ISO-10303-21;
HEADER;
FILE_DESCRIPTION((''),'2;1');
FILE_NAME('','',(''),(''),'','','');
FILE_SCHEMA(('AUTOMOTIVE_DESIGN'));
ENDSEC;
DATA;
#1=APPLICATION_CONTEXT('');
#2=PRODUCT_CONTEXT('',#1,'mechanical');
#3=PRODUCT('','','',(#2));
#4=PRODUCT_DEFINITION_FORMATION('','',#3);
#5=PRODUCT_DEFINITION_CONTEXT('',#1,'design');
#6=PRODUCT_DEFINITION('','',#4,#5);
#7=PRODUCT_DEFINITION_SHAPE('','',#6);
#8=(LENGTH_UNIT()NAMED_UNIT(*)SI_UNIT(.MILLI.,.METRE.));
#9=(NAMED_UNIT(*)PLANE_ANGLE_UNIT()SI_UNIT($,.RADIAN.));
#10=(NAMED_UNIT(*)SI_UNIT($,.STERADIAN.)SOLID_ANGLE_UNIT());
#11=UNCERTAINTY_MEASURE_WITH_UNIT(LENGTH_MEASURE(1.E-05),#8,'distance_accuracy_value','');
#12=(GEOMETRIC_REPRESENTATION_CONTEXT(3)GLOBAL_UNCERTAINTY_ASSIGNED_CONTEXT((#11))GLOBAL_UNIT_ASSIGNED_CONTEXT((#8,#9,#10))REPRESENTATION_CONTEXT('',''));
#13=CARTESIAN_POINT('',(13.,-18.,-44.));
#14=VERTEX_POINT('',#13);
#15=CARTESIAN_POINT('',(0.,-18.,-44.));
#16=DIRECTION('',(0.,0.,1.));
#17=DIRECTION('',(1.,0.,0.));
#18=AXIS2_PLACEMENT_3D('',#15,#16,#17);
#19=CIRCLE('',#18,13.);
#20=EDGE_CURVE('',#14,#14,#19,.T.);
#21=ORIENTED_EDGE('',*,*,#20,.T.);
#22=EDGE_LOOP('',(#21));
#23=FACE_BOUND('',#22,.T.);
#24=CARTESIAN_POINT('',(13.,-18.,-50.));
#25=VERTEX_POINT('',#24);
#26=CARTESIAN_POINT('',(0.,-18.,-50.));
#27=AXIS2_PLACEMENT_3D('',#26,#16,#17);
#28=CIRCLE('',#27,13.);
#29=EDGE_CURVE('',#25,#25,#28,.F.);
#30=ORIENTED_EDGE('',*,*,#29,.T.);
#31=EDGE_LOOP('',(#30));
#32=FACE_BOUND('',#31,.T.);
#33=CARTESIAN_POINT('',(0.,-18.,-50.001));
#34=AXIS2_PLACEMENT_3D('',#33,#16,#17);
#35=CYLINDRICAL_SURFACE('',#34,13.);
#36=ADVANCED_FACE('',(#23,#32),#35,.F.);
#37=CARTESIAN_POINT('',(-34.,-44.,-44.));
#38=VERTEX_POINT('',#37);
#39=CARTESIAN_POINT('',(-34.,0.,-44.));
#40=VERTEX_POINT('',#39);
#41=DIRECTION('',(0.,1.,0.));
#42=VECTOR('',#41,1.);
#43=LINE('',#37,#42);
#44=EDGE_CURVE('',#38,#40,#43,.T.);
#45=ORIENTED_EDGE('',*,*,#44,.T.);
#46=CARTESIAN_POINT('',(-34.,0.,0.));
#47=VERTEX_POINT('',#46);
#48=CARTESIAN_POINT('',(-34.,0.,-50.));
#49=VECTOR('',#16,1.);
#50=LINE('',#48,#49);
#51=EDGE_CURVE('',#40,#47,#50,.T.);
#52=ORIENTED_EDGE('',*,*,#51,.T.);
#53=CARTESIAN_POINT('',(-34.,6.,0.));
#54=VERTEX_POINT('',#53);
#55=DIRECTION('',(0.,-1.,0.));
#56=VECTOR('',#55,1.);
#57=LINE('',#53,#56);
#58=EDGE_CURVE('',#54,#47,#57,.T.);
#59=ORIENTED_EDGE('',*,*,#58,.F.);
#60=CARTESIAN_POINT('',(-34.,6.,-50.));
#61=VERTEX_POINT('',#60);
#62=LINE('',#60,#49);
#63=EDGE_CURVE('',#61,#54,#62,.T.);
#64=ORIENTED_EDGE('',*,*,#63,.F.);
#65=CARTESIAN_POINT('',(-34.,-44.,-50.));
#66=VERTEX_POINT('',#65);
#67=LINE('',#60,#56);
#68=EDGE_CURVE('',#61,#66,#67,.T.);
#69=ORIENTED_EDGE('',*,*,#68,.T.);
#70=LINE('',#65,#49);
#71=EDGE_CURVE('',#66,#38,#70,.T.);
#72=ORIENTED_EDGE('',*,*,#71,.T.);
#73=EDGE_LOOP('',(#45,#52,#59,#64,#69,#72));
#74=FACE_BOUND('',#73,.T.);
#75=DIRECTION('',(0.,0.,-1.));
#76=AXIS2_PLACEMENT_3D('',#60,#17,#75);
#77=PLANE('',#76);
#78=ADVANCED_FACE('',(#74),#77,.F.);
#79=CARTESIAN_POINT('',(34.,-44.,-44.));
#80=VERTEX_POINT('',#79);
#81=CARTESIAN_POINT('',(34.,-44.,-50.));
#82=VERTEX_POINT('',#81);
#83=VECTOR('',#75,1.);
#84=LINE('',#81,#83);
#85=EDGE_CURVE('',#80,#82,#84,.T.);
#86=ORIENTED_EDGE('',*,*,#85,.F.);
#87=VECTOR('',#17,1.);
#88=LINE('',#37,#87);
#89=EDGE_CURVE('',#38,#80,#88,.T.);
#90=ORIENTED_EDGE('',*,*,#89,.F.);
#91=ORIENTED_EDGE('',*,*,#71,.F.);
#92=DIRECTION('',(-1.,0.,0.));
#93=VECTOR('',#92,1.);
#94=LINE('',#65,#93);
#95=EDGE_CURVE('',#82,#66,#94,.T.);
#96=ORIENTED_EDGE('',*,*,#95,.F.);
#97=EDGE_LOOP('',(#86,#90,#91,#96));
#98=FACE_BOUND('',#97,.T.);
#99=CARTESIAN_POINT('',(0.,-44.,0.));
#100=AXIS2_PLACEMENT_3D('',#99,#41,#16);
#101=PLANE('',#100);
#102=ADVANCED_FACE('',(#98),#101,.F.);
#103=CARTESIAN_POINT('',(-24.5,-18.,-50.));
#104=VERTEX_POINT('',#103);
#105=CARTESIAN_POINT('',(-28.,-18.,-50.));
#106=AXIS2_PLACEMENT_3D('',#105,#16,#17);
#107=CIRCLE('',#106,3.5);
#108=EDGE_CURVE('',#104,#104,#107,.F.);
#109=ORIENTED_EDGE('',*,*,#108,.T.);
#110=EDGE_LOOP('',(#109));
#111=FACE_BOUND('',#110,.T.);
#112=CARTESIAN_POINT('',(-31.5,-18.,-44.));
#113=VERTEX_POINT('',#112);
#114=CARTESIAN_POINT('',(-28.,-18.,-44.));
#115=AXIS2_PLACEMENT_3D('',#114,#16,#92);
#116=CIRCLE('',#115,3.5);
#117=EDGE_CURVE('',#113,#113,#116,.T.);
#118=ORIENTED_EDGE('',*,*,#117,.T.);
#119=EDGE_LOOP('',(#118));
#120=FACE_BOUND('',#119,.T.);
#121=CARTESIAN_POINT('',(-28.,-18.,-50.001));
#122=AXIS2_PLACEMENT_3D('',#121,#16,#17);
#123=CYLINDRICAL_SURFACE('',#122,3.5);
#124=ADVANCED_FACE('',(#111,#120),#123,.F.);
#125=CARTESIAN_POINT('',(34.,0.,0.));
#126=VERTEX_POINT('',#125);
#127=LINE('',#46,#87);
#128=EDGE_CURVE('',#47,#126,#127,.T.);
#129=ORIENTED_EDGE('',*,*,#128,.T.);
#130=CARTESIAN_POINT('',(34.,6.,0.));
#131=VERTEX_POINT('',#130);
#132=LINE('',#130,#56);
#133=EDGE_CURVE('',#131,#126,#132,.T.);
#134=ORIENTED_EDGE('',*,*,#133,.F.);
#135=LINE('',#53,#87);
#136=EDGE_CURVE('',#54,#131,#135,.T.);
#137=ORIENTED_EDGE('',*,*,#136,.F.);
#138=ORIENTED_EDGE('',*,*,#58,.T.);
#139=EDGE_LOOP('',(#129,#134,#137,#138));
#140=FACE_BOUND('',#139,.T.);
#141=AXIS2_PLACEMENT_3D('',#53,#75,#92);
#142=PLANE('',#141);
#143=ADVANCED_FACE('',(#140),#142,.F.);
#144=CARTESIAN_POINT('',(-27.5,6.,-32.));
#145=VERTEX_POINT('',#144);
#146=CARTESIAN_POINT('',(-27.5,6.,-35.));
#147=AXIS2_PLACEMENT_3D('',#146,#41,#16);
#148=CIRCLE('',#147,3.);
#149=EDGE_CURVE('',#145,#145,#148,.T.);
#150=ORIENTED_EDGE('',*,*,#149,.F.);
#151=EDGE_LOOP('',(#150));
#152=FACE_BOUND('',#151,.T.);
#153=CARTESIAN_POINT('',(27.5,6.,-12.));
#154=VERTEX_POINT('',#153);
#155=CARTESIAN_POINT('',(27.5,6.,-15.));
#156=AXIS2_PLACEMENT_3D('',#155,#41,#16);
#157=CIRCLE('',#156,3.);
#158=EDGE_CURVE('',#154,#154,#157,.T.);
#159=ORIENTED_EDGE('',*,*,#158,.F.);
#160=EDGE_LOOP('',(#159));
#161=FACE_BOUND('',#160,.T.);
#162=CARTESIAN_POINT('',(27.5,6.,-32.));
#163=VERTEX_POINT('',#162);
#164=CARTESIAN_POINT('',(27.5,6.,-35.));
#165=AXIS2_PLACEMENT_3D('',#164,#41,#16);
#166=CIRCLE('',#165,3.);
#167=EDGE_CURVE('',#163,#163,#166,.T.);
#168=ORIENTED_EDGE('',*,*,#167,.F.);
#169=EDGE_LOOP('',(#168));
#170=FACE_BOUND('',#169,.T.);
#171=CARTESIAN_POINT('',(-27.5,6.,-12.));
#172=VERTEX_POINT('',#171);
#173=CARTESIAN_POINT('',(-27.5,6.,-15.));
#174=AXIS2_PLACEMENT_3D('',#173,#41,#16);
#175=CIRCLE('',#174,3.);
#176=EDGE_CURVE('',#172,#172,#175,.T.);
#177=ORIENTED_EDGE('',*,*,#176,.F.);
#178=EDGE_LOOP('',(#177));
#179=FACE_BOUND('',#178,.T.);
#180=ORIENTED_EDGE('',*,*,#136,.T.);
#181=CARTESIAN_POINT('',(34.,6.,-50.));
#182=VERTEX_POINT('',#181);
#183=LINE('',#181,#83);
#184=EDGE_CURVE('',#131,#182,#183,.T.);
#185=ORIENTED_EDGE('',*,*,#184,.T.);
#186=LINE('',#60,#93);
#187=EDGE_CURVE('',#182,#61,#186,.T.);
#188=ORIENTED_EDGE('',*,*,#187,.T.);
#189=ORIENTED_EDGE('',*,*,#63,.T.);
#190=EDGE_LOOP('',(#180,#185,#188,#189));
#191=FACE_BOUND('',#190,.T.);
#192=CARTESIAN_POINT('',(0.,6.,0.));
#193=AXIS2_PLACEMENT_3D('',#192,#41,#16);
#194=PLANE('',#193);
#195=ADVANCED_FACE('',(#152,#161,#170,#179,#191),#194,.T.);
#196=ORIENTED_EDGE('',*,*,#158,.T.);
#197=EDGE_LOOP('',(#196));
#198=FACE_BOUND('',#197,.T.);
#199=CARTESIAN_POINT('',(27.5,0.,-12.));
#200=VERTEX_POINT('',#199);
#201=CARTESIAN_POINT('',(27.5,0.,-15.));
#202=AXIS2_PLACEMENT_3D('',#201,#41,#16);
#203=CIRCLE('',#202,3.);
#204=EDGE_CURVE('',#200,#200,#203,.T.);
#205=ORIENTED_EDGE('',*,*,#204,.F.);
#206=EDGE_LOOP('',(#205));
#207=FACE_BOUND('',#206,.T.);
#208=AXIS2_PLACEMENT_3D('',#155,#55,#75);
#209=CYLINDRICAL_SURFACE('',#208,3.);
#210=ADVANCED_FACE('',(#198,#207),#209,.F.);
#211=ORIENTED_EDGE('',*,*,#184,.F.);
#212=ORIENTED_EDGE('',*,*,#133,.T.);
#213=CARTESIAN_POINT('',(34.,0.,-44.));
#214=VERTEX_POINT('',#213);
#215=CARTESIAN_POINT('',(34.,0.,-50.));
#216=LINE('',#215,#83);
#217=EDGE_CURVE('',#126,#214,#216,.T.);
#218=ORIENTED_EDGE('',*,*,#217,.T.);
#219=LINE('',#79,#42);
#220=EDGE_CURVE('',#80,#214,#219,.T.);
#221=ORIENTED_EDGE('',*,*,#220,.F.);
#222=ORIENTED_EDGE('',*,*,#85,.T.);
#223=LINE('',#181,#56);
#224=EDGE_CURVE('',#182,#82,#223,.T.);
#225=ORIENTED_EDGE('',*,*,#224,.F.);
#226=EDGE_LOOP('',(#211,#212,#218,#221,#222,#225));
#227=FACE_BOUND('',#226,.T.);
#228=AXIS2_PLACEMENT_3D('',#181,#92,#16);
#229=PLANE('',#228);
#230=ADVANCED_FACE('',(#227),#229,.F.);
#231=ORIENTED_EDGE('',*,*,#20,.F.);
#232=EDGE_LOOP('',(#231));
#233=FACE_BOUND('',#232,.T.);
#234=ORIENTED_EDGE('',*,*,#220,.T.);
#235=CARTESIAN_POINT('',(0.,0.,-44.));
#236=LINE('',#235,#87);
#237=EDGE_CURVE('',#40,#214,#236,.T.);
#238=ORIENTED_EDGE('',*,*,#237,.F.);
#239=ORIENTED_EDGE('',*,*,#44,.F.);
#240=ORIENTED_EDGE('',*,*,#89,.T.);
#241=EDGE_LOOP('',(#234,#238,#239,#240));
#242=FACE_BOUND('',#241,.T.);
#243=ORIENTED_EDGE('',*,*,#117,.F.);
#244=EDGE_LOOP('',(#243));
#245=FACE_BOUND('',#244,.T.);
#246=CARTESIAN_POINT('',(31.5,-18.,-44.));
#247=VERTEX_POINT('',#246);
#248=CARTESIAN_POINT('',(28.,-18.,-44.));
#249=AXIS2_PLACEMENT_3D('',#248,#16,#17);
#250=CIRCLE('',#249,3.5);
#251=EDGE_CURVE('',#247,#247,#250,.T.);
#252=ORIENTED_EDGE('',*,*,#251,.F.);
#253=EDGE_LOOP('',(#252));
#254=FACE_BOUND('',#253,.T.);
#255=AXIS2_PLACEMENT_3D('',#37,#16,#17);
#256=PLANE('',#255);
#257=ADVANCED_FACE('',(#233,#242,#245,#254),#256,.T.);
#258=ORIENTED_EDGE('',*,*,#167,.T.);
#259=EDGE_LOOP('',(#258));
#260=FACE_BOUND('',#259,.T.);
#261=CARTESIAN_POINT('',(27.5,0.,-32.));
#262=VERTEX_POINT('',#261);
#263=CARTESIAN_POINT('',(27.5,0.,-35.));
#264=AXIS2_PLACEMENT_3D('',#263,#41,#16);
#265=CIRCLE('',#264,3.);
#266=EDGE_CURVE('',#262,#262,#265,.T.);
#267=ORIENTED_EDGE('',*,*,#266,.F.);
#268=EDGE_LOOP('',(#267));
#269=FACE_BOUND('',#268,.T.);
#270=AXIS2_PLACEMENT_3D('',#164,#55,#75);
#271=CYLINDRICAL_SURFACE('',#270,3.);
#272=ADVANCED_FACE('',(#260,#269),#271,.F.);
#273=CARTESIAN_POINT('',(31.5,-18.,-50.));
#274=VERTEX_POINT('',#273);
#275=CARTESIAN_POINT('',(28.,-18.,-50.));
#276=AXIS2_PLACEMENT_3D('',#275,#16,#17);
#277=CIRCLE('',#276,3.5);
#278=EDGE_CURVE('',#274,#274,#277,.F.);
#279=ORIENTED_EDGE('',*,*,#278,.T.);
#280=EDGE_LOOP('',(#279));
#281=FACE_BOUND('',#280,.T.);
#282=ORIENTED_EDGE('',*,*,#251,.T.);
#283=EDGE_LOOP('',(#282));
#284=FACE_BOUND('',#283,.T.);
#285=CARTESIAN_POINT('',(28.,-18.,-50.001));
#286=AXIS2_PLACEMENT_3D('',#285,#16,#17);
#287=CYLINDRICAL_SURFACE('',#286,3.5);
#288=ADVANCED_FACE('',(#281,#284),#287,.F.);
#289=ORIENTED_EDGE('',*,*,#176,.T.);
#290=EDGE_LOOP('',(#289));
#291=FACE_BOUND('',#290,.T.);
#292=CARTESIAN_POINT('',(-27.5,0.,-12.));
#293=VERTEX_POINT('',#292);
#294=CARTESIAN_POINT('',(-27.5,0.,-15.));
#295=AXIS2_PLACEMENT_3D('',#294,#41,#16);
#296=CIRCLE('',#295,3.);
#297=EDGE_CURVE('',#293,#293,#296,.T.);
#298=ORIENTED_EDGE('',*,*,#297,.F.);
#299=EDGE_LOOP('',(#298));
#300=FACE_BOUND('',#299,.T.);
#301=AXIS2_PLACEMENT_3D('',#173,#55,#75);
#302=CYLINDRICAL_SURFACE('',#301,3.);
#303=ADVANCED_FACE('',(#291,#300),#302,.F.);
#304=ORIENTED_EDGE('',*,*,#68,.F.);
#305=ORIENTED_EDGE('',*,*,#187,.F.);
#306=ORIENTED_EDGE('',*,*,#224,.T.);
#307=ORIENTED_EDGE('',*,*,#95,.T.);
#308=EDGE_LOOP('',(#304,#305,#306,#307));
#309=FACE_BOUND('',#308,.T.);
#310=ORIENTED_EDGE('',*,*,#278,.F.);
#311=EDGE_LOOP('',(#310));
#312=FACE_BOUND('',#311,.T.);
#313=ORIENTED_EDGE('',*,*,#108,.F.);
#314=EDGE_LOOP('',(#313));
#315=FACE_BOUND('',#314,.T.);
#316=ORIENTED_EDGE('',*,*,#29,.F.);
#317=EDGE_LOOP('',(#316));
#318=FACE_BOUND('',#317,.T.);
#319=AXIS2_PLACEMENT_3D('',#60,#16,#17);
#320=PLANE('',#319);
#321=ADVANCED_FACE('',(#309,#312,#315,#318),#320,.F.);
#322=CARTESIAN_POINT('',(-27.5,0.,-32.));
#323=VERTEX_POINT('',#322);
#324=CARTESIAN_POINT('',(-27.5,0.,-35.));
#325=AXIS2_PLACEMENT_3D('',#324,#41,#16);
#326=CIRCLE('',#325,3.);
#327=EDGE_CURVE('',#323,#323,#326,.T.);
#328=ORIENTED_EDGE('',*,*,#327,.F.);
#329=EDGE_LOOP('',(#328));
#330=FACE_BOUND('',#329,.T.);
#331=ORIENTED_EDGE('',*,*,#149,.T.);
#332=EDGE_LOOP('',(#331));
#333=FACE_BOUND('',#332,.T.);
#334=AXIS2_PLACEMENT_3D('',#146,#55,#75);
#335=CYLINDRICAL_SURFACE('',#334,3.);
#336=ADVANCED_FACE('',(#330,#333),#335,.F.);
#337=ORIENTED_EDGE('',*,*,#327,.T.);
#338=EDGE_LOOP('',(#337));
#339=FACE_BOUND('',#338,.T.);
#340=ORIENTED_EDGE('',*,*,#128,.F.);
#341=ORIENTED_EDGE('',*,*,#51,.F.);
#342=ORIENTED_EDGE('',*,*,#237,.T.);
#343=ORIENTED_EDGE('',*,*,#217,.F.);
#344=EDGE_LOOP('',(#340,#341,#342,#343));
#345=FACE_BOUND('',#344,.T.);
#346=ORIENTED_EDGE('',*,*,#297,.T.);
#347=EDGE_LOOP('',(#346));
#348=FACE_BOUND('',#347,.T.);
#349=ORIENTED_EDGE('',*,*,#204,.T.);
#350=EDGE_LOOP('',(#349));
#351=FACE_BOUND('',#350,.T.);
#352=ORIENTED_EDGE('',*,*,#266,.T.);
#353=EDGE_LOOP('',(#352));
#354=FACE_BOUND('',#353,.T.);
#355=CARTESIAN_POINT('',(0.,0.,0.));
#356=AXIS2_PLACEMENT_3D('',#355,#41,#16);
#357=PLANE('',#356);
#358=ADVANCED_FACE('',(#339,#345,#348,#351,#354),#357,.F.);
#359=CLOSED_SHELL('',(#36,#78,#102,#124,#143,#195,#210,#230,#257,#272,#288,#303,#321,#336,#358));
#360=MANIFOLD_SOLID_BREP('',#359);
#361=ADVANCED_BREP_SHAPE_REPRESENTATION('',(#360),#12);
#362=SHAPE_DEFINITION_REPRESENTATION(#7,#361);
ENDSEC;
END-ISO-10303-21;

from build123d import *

# Parameters (mm, degrees)
SKETCH_1_W          = 68
SKETCH_1_H          = 50
SKETCH_1_R          = 3
EXTRUDE_1_DEPTH     = 6
SKETCH_3_W          = 68
SKETCH_3_H          = 6
EXTRUDE_2_DEPTH     = 50
CUT_EXTRUDE_1_REACH = 8
SKETCH_4_R          = 13
SKETCH_4_R_2        = 3.5


with BuildPart() as part:
    # 草图1 → 凸台-拉伸1 (new body)
    with BuildSketch(Plane(origin=(0, 0, 0), x_dir=(1, 0, 0), z_dir=(0, 1, 0))):
        with Locations((0, 25)):
            Rectangle(SKETCH_1_W, SKETCH_1_H)
        with Locations((-27.5, 35)):
            Circle(SKETCH_1_R, mode=Mode.SUBTRACT)
        with Locations((27.5, 35)):
            Circle(SKETCH_1_R, mode=Mode.SUBTRACT)
        with Locations((-27.5, 15)):
            Circle(SKETCH_1_R, mode=Mode.SUBTRACT)
        with Locations((27.5, 15)):
            Circle(SKETCH_1_R, mode=Mode.SUBTRACT)
    extrude(amount=EXTRUDE_1_DEPTH)

    # 草图3 → 凸台-拉伸2 (add)
    with BuildSketch(Plane(origin=(0, 6, 0), x_dir=(1, 0, 0), z_dir=(0, 1, 0))):
        with Locations((0, 47)):
            Rectangle(SKETCH_3_W, SKETCH_3_H)
    extrude(amount=-EXTRUDE_2_DEPTH)

    # 草图4 → 切除-拉伸1 (cut, up to next)
    with BuildSketch(Plane.XY.offset(-44), mode=Mode.PRIVATE) as cut_extrude_1_sk1:
        with Locations((0, -18)):
            Circle(SKETCH_4_R)
    cut_extrude_1_tool1 = extrude(cut_extrude_1_sk1.sketch, amount=-CUT_EXTRUDE_1_REACH, mode=Mode.PRIVATE) & part.part
    add(cut_extrude_1_tool1.solids().sort_by_distance((0, -18, -44))[0], mode=Mode.SUBTRACT)
    # 草图4 → 切除-拉伸1 (cut, up to next)
    with BuildSketch(Plane.XY.offset(-44), mode=Mode.PRIVATE) as cut_extrude_1_sk2:
        with Locations((28, -18)):
            Circle(SKETCH_4_R_2)
    cut_extrude_1_tool2 = extrude(cut_extrude_1_sk2.sketch, amount=-CUT_EXTRUDE_1_REACH, mode=Mode.PRIVATE) & part.part
    add(cut_extrude_1_tool2.solids().sort_by_distance((28, -18, -44))[0], mode=Mode.SUBTRACT)
    # 草图4 → 切除-拉伸1 (cut, up to next)
    with BuildSketch(Plane.XY.offset(-44), mode=Mode.PRIVATE) as cut_extrude_1_sk3:
        with Locations((-28, -18)):
            Circle(SKETCH_4_R_2)
    cut_extrude_1_tool3 = extrude(cut_extrude_1_sk3.sketch, amount=-CUT_EXTRUDE_1_REACH, mode=Mode.PRIVATE) & part.part
    add(cut_extrude_1_tool3.solids().sort_by_distance((-28, -18, -44))[0], mode=Mode.SUBTRACT)


solid = part.part
